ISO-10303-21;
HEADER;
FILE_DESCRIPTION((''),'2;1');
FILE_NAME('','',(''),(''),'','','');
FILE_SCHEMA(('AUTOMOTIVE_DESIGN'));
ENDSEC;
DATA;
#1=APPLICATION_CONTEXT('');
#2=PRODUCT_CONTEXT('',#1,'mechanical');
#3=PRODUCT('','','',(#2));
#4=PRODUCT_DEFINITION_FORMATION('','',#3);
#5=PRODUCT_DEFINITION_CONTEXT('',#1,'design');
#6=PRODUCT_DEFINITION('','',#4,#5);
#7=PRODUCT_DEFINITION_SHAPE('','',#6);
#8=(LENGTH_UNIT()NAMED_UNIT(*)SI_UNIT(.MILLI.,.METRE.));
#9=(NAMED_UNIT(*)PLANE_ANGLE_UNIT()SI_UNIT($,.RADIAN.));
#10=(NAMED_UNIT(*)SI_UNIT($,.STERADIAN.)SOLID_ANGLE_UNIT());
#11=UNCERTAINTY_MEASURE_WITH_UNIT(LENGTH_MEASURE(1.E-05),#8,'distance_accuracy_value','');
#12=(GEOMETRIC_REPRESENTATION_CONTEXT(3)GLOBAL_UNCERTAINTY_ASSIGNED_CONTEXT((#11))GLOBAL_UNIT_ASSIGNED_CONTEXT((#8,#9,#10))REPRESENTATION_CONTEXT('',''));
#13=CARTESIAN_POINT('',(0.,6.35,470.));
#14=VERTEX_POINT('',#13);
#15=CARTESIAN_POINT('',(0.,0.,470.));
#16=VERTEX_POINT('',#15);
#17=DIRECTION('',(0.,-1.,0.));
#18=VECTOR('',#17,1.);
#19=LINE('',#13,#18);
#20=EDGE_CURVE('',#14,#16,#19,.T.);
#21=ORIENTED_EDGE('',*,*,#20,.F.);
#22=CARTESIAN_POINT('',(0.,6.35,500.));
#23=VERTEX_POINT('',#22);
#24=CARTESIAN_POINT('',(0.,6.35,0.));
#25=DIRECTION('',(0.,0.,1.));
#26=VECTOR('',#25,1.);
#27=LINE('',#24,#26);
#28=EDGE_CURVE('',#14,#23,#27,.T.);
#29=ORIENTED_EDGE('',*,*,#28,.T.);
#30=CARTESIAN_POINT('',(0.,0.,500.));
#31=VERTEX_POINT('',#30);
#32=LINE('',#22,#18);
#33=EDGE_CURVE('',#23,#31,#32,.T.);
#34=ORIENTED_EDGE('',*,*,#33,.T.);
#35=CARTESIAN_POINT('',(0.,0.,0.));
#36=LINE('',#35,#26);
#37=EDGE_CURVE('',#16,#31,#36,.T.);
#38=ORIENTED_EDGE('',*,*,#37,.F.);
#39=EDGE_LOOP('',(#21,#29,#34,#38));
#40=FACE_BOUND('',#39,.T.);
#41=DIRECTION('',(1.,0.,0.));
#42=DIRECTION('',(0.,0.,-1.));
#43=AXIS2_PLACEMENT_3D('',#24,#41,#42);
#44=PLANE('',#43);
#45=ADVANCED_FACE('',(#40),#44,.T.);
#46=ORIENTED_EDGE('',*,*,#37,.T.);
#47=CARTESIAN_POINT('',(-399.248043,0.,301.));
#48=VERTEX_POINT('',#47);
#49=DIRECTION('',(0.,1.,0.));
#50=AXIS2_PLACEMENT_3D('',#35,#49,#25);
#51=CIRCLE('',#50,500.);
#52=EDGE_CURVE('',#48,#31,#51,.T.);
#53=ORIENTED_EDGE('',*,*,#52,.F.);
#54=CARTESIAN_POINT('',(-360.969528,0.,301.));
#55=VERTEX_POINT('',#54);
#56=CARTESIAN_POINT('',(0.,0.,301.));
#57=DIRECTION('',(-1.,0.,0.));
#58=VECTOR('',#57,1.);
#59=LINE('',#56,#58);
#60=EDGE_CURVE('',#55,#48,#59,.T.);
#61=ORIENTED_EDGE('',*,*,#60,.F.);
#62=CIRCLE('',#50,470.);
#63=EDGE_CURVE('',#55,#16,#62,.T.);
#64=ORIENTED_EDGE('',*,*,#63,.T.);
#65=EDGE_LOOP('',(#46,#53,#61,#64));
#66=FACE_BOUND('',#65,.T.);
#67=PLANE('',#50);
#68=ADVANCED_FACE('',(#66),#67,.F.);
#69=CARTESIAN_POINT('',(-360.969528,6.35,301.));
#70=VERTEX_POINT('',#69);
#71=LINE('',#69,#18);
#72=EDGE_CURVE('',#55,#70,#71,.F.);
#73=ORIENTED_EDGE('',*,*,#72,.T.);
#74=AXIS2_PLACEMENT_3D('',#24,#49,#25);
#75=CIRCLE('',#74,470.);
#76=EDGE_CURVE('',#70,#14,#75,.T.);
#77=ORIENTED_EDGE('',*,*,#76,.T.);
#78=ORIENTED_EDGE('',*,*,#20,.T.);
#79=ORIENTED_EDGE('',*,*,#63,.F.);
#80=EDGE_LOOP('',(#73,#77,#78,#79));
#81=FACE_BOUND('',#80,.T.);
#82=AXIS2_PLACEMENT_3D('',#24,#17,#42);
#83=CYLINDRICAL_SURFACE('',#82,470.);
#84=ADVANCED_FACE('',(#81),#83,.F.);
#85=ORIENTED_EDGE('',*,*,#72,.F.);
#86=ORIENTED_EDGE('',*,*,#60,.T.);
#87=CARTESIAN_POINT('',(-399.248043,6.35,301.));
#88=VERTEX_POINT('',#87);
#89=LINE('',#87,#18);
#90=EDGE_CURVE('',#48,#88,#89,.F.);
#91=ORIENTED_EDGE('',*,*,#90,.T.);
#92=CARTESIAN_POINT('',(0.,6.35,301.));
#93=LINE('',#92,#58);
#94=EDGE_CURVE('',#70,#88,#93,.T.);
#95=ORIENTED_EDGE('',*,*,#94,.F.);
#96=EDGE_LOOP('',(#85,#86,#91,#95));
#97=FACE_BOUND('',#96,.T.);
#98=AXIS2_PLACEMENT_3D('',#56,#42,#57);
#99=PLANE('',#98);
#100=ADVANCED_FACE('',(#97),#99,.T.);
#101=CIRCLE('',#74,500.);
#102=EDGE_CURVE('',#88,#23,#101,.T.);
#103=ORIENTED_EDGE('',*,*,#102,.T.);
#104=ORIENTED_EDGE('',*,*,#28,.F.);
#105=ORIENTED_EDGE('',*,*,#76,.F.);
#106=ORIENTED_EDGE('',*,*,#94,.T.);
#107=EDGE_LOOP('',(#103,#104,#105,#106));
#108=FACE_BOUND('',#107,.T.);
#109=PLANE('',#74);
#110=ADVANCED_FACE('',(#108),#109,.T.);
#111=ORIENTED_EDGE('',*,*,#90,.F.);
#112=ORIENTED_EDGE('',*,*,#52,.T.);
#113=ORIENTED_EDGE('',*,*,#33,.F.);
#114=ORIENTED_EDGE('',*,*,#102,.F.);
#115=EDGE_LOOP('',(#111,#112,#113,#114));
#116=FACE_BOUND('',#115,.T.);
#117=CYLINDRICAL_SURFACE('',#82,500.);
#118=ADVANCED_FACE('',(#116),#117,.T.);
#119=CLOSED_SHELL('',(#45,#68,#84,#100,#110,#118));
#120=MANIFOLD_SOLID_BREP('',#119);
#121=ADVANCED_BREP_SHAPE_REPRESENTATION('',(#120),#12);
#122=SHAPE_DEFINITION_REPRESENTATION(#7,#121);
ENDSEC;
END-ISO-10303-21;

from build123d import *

# Parameters (mm, degrees)
BOSS_EXTRUDE1_DEPTH = 6.35
SKETCH3_W           = 30
SKETCH3_H           = 6.35
BOSS_EXTRUDE2_DEPTH = 80


with BuildPart() as part:
    # Sketch2 → Boss-Extrude1 (new body)
    with BuildSketch(Plane(origin=(0, 0, 0), x_dir=(1, 0, 0), z_dir=(0, 1, 0))):
        with BuildLine():
            ThreePointArc((0, -470), (-332.340187158, -332.340187158), (-470, 0))
            Line((-470, 0), (-500, 0))
            ThreePointArc((-500, 0), (-353.553390593, -353.553390593), (0, -500))
            Line((0, -500), (0, -470))
        make_face()
    extrude(amount=BOSS_EXTRUDE1_DEPTH)

    # Sketch3 → Boss-Extrude2 (add)
    with BuildSketch(Plane(origin=(0, 0, 0), x_dir=(-1, 0, 0), z_dir=(0, 0, -1))):
        with Locations((485, 3.175)):
            Rectangle(SKETCH3_W, SKETCH3_H)
    extrude(amount=BOSS_EXTRUDE2_DEPTH)

    # Split1
    split(bisect_by=Plane(origin=(0, 0, 301), x_dir=(-1, 0, 0), z_dir=(0, 0, -1)), keep=Keep.BOTTOM)


solid = part.part
